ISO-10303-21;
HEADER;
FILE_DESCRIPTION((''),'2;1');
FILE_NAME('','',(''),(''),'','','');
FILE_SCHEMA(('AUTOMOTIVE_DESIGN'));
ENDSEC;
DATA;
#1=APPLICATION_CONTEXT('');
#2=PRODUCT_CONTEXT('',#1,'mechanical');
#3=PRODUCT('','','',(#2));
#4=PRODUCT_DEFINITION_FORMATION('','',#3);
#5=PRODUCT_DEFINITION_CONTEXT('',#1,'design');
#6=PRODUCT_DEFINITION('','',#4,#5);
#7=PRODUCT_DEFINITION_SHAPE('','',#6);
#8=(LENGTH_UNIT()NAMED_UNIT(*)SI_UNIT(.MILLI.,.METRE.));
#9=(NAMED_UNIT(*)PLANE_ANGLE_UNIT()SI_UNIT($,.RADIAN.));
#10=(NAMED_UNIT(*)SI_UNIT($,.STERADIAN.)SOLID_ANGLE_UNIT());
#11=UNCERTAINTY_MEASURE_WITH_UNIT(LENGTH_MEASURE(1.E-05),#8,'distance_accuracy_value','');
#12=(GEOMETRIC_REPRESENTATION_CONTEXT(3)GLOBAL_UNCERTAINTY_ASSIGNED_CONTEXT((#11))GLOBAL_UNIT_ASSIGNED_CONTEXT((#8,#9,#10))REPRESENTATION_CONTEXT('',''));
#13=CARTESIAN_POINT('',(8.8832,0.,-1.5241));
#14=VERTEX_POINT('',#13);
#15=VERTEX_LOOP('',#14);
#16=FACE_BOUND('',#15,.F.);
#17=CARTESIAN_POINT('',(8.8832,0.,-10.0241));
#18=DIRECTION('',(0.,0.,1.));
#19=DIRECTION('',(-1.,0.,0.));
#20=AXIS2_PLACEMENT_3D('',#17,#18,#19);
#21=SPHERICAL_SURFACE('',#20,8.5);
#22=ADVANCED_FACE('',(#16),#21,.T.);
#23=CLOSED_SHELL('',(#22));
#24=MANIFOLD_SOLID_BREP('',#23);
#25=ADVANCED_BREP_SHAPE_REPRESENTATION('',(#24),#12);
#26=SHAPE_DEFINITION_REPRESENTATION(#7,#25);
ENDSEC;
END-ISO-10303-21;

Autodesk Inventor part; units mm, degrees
ref_plane "YZ Plane" through (0, 0, 0) normal (1, 0, 0) x (0, 1, 0)
ref_plane "XZ Plane" through (0, 0, 0) normal (0, 1, 0) x (-1, 0, 0)
ref_plane "XY Plane" through (0, 0, 0) normal (0, 0, 1) x (1, 0, 0)
sketch "Sketch1" plane through (0, 0, 0) normal (0, 1, 0) x (-1, 0, 0)
  arc A0 (-8.8832, -18.5241) -> (-8.8832, -1.5241) centre (-8.8832, -10.0241) ccw
  line L0 (-8.8832, -1.5241) -> (-8.8832, -18.5241)
  point P0 (0, 0)
  dimension "d0" = 17
  dimension "d0" = 17
revolve "Revolution1" add sketch "Sketch1" angle 360 about axis through (8.8832, 0, -1.5241) along (0, 0, -1)
properties part number "ball_17mm" material "PC/ABS Plastic"
